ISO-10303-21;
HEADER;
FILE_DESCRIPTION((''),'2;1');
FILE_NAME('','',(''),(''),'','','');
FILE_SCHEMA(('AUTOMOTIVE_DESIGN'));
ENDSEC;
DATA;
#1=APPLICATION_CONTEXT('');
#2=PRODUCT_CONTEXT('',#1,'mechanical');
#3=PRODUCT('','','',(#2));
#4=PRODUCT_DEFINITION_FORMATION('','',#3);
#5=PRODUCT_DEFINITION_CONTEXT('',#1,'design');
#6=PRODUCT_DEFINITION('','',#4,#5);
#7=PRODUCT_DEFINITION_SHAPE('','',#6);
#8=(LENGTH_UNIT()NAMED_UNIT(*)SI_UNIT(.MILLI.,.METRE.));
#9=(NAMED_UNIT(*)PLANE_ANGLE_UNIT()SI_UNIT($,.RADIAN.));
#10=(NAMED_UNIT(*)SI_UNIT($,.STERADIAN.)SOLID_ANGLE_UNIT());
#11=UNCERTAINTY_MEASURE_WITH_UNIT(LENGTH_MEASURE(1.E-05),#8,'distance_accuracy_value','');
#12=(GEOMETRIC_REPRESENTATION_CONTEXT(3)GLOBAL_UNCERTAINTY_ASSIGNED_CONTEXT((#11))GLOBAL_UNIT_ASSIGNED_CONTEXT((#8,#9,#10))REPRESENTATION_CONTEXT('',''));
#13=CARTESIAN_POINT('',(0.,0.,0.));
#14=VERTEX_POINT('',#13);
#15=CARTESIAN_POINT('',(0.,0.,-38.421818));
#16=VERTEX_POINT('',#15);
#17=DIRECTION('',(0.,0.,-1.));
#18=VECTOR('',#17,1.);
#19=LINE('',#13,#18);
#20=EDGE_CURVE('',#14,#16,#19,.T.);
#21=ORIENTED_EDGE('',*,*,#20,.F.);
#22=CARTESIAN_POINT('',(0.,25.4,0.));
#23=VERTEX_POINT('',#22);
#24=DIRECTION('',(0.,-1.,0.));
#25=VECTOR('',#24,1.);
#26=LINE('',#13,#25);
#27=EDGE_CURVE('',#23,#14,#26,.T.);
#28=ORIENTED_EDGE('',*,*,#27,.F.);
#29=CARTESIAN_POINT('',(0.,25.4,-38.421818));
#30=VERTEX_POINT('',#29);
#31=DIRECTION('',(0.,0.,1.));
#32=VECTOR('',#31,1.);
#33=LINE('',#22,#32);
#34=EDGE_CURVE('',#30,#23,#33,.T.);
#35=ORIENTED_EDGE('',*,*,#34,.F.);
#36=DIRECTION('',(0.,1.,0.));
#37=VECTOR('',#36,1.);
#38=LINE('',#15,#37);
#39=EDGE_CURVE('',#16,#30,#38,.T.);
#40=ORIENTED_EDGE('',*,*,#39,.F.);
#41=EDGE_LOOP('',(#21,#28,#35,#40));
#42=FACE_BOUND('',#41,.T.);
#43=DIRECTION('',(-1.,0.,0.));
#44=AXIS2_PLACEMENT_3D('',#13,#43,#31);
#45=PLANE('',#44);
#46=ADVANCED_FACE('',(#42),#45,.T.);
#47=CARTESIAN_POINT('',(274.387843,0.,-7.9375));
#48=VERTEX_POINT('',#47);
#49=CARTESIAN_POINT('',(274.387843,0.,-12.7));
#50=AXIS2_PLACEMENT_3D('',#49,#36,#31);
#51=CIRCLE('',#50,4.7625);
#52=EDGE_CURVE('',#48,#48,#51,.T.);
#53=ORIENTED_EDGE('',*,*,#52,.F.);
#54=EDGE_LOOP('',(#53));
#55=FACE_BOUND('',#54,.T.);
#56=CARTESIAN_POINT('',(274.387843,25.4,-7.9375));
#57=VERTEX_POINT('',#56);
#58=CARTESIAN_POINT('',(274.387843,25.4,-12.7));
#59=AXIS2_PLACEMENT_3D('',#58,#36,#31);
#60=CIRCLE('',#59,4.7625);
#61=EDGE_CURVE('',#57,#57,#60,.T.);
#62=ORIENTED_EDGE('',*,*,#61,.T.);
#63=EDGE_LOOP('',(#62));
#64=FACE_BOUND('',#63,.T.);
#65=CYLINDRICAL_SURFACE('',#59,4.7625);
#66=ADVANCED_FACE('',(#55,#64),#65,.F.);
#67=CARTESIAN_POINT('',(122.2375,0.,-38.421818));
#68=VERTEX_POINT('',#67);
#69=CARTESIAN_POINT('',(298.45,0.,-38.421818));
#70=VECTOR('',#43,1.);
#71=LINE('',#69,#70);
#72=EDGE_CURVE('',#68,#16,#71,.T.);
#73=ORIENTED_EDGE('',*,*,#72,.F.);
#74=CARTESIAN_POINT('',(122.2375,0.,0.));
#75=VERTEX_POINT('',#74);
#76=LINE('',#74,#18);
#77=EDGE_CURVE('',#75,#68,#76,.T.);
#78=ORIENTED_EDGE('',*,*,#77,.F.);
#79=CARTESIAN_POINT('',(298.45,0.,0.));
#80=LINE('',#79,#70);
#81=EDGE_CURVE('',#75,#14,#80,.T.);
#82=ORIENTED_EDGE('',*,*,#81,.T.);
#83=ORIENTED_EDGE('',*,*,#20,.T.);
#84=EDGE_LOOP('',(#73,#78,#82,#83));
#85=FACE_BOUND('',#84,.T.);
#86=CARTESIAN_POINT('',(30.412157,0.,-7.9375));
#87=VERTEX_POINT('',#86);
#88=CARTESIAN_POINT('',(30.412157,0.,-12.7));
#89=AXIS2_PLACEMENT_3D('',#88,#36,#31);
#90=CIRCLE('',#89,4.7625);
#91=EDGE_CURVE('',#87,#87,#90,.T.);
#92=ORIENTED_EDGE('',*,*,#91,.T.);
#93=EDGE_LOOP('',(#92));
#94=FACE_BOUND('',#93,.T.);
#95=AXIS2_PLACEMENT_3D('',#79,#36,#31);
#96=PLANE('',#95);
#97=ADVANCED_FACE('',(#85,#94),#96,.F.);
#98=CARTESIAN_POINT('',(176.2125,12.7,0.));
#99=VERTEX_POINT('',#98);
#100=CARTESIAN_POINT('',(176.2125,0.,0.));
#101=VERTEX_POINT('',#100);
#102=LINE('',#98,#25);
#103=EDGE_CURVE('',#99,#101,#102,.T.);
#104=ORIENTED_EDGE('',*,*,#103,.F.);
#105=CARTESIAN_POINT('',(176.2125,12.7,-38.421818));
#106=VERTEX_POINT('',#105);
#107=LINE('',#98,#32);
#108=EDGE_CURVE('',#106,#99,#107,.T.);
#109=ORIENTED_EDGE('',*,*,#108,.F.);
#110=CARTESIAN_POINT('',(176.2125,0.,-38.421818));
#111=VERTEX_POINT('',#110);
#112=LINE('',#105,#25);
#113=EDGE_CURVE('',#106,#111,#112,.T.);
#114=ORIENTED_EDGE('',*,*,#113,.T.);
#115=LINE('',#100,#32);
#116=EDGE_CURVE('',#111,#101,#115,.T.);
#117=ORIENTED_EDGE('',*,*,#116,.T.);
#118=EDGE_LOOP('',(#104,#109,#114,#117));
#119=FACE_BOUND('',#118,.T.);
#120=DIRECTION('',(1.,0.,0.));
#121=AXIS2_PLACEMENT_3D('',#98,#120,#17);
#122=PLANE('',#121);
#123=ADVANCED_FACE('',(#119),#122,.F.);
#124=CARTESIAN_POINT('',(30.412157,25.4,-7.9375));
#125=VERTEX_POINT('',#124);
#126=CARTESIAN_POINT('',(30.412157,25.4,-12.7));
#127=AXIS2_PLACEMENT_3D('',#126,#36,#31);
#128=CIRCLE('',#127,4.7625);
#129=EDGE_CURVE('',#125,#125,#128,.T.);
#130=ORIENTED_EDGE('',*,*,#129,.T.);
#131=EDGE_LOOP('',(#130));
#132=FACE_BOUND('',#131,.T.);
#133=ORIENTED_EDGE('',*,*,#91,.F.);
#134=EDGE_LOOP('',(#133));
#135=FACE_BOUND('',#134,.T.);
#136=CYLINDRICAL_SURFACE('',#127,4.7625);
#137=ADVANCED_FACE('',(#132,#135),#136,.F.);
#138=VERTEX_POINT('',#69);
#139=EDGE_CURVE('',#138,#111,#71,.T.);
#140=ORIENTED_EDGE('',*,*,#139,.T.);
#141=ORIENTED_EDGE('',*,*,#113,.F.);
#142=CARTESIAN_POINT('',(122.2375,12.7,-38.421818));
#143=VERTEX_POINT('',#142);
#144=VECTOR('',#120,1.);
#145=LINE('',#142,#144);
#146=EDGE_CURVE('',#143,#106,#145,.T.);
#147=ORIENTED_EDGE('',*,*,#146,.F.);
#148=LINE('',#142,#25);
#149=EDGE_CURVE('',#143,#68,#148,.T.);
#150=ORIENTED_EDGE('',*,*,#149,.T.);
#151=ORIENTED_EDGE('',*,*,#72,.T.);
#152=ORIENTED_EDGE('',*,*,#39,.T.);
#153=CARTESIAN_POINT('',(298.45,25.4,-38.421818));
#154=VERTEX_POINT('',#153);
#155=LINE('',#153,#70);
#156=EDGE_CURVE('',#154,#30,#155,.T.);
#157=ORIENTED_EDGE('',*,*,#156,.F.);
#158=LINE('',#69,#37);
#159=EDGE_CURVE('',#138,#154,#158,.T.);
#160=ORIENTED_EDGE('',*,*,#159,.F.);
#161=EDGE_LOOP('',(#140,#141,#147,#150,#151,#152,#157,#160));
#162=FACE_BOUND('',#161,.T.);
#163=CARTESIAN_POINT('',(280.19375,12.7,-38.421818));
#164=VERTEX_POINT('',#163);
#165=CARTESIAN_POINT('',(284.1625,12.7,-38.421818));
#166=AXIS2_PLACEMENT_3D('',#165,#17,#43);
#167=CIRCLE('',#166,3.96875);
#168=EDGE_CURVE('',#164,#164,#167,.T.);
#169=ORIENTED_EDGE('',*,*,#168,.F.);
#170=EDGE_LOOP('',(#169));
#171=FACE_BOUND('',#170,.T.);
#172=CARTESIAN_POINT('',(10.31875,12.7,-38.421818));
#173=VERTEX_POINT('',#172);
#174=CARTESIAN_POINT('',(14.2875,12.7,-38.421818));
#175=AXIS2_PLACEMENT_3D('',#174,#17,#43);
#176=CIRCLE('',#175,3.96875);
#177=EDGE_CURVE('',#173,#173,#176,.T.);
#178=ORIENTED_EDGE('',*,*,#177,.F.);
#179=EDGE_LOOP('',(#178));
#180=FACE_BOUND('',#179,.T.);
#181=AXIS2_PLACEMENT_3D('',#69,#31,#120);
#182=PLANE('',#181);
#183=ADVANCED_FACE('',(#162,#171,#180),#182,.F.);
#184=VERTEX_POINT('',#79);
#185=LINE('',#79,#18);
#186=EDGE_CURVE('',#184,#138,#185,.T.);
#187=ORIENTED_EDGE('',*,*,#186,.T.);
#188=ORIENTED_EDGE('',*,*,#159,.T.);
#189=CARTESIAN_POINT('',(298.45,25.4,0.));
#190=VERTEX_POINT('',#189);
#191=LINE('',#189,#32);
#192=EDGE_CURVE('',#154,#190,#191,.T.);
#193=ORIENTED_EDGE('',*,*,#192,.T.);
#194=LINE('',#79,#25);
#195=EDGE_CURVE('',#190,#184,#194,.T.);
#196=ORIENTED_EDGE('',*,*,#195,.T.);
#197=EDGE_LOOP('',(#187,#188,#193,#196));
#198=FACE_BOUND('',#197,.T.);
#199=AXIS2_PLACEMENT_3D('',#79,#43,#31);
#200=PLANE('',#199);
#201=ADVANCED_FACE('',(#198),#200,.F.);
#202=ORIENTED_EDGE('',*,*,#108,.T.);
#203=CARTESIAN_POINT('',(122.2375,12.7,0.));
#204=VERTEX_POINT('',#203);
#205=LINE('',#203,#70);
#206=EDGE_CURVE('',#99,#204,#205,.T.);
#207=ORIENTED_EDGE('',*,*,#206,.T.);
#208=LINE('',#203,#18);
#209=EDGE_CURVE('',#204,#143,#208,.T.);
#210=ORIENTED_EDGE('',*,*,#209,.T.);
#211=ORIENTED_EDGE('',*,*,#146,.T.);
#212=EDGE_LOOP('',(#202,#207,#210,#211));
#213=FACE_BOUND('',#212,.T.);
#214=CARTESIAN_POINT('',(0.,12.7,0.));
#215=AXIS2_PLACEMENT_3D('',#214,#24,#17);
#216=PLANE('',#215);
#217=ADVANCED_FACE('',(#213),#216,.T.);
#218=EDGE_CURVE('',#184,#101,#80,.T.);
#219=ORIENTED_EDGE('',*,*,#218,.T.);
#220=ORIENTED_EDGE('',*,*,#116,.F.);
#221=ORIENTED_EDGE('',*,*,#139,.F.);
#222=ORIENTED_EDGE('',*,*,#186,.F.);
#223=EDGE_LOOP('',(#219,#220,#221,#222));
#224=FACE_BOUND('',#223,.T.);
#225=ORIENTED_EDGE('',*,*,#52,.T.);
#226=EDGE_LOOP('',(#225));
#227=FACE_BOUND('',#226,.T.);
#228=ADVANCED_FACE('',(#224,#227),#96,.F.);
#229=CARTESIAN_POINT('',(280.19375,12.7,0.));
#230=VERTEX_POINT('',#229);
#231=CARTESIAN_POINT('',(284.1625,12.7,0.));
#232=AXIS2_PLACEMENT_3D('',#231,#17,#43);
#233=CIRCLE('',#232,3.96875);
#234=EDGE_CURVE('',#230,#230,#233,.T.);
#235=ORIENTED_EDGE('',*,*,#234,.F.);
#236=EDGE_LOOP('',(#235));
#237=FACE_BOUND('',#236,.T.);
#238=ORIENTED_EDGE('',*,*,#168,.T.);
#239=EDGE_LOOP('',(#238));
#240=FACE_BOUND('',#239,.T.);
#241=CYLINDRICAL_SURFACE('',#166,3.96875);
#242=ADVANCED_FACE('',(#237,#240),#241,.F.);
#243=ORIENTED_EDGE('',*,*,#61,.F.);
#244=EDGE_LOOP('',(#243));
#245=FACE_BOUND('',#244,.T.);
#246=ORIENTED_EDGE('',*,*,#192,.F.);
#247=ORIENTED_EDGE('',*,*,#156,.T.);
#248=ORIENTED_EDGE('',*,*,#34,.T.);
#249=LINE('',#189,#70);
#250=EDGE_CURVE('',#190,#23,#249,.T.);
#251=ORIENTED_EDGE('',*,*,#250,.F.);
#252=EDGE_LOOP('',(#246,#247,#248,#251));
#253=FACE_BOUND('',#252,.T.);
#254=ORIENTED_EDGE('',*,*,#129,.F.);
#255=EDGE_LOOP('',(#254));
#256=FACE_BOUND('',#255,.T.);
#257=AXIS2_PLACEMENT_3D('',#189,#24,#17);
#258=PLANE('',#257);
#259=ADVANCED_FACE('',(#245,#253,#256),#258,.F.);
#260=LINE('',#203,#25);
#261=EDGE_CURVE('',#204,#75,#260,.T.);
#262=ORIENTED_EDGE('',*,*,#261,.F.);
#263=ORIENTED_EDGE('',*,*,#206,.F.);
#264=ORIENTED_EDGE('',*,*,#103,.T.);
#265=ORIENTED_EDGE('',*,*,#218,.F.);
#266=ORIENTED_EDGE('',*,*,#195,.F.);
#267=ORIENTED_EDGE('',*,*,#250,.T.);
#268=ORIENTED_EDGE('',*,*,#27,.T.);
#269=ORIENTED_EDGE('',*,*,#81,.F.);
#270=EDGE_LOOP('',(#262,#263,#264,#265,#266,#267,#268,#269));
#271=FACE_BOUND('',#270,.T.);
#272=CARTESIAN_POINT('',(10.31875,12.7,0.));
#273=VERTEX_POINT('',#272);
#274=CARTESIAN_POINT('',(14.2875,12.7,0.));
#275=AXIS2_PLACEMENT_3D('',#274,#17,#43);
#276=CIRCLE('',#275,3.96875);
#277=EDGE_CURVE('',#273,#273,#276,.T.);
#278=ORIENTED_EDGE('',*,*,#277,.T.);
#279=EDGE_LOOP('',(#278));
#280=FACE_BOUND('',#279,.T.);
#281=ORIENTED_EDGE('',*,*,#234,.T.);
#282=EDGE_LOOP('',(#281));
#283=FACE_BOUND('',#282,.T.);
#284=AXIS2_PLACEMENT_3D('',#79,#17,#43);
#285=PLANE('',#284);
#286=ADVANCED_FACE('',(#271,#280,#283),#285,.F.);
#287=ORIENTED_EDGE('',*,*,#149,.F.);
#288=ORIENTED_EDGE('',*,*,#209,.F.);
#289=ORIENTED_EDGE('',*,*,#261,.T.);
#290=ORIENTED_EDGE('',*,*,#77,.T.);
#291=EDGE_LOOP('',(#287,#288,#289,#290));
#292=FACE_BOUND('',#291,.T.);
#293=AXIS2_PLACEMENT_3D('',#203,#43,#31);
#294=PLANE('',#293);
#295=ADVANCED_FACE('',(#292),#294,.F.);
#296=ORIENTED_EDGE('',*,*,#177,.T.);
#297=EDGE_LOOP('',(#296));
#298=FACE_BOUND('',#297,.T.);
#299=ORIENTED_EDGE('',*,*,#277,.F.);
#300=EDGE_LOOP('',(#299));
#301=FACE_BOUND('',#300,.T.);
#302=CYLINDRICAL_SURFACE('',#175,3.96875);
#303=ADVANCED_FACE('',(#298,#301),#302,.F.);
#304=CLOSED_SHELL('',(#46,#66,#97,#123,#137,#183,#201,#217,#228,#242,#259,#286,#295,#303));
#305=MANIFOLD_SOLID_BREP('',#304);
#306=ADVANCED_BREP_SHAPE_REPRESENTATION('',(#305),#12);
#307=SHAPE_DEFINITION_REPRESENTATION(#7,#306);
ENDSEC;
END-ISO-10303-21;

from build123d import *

# Parameters (mm, degrees)
SKETCH1_W                    = 38.421818
SKETCH1_H                    = 25.4
BOSS_EXTRUDE1_DEPTH          = 298.45
F_3_8_16_TAPPED_HOLE1_D      = 7.9375
F_3_8_0_375_DIAMETER_HOLE2_D = 9.525
SKETCH11_W                   = 53.975
SKETCH11_H                   = 38.421818
CUT_EXTRUDE2_DEPTH           = 12.7


with BuildPart() as part:
    # Sketch1 → Boss-Extrude1 (new body)
    with BuildSketch(Plane(origin=(0, 0, 0), x_dir=(0, 0, -1), z_dir=(1, 0, 0))):
        with Locations((19.210909, 12.7)):
            Rectangle(SKETCH1_W, SKETCH1_H)
    extrude(amount=BOSS_EXTRUDE1_DEPTH)

    # 3/8-16 Tapped Hole1 (through all)
    with Locations(Plane(origin=(0, 0, -38.421818), x_dir=(-1, 0, 0), z_dir=(0, 0, -1))):
        with Locations((-284.1625, 12.7), (-14.2875, 12.7)):
            Hole(F_3_8_16_TAPPED_HOLE1_D / 2)

    # 3/8 (0.375) Diameter Hole2 (through all)
    with Locations(Plane(origin=(0, 25.4, 0), x_dir=(1, 0, 0), z_dir=(0, 1, 0))):
        with Locations((30.4121566, 12.7), (274.3878434, 12.7)):
            Hole(F_3_8_0_375_DIAMETER_HOLE2_D / 2)

    # Sketch11 → Cut-Extrude2 (cut)
    with BuildSketch(Plane.XZ):
        with Locations((149.225, -19.210909)):
            Rectangle(SKETCH11_W, SKETCH11_H)
    extrude(amount=-CUT_EXTRUDE2_DEPTH, mode=Mode.SUBTRACT)


solid = part.part
